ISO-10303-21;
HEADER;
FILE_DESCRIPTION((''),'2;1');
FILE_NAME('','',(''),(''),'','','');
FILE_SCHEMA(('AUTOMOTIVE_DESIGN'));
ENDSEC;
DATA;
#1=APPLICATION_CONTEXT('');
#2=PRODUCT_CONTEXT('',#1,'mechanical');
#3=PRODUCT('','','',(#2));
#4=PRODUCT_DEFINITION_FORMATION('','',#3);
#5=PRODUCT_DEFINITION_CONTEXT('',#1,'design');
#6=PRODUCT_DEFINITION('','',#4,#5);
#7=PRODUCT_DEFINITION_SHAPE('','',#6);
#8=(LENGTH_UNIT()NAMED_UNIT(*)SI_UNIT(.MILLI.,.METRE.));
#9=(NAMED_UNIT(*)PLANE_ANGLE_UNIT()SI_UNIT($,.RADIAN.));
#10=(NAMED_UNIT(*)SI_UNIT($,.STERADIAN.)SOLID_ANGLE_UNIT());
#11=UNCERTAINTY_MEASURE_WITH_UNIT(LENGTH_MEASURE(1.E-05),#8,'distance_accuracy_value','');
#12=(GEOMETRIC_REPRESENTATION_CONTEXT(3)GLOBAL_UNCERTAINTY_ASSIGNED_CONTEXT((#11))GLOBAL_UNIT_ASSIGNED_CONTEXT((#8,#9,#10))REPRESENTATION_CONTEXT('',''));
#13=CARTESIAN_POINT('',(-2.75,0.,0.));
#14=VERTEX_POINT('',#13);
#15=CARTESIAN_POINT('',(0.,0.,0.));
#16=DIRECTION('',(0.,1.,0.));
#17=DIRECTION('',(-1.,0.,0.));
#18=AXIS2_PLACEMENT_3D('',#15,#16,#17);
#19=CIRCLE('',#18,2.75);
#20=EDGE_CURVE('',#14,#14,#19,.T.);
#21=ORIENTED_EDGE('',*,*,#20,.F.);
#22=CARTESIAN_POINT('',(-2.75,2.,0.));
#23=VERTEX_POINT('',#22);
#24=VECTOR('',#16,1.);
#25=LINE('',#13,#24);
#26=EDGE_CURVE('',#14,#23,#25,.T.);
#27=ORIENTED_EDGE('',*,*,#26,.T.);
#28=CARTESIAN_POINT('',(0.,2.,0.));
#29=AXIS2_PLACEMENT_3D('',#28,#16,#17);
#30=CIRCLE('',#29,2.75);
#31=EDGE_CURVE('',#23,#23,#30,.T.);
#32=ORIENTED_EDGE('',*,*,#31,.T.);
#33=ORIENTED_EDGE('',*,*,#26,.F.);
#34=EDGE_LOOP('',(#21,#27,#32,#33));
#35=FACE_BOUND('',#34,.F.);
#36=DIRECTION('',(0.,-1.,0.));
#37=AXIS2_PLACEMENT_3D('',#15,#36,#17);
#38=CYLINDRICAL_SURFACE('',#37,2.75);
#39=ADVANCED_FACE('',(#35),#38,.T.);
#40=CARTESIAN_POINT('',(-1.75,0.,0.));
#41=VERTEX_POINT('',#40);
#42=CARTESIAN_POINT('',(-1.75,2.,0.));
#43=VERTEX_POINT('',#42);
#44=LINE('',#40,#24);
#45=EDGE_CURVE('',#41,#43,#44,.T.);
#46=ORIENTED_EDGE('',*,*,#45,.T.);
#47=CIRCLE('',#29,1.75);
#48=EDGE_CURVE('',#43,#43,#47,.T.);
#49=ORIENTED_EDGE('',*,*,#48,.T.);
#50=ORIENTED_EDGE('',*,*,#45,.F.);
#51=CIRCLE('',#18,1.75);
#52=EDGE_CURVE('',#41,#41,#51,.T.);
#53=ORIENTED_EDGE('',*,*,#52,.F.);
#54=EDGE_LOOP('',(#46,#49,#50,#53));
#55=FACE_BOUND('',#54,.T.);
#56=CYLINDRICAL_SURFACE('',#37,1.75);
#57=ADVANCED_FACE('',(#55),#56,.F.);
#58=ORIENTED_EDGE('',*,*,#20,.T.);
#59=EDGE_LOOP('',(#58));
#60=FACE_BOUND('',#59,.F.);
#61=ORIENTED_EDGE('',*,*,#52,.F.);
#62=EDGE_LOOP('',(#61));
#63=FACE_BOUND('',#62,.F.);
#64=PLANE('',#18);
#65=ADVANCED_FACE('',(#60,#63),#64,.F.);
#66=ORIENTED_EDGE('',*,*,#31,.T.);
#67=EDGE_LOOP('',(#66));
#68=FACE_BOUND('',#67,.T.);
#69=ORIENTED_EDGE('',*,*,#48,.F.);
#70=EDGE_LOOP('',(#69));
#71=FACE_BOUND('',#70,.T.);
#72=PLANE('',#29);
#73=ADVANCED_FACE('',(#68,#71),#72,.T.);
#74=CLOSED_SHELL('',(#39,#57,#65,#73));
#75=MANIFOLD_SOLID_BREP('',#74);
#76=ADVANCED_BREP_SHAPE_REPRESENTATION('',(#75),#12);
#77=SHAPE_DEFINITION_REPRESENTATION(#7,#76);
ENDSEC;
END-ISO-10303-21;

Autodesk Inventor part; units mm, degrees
ref_plane "YZ Plane" through (0, 0, 0) normal (1, 0, 0) x (0, 1, 0)
ref_plane "XZ Plane" through (0, 0, 0) normal (0, 1, 0) x (-1, 0, 0)
ref_plane "XY Plane" through (0, 0, 0) normal (0, 0, 1) x (1, 0, 0)
sketch "Sketch1" plane through (0, 0, 0) normal (0, 1, 0) x (-1, 0, 0)
  circle A0 centre (0, 0) radius 1.75
  circle A1 centre (0, 0) radius 2.75
  dimension "d0" = 3.5
  dimension "d1" = 5.5
extrude "Extrusion1" add sketch "Sketch1" along normal blind 2
properties part number "pin_stopper"
